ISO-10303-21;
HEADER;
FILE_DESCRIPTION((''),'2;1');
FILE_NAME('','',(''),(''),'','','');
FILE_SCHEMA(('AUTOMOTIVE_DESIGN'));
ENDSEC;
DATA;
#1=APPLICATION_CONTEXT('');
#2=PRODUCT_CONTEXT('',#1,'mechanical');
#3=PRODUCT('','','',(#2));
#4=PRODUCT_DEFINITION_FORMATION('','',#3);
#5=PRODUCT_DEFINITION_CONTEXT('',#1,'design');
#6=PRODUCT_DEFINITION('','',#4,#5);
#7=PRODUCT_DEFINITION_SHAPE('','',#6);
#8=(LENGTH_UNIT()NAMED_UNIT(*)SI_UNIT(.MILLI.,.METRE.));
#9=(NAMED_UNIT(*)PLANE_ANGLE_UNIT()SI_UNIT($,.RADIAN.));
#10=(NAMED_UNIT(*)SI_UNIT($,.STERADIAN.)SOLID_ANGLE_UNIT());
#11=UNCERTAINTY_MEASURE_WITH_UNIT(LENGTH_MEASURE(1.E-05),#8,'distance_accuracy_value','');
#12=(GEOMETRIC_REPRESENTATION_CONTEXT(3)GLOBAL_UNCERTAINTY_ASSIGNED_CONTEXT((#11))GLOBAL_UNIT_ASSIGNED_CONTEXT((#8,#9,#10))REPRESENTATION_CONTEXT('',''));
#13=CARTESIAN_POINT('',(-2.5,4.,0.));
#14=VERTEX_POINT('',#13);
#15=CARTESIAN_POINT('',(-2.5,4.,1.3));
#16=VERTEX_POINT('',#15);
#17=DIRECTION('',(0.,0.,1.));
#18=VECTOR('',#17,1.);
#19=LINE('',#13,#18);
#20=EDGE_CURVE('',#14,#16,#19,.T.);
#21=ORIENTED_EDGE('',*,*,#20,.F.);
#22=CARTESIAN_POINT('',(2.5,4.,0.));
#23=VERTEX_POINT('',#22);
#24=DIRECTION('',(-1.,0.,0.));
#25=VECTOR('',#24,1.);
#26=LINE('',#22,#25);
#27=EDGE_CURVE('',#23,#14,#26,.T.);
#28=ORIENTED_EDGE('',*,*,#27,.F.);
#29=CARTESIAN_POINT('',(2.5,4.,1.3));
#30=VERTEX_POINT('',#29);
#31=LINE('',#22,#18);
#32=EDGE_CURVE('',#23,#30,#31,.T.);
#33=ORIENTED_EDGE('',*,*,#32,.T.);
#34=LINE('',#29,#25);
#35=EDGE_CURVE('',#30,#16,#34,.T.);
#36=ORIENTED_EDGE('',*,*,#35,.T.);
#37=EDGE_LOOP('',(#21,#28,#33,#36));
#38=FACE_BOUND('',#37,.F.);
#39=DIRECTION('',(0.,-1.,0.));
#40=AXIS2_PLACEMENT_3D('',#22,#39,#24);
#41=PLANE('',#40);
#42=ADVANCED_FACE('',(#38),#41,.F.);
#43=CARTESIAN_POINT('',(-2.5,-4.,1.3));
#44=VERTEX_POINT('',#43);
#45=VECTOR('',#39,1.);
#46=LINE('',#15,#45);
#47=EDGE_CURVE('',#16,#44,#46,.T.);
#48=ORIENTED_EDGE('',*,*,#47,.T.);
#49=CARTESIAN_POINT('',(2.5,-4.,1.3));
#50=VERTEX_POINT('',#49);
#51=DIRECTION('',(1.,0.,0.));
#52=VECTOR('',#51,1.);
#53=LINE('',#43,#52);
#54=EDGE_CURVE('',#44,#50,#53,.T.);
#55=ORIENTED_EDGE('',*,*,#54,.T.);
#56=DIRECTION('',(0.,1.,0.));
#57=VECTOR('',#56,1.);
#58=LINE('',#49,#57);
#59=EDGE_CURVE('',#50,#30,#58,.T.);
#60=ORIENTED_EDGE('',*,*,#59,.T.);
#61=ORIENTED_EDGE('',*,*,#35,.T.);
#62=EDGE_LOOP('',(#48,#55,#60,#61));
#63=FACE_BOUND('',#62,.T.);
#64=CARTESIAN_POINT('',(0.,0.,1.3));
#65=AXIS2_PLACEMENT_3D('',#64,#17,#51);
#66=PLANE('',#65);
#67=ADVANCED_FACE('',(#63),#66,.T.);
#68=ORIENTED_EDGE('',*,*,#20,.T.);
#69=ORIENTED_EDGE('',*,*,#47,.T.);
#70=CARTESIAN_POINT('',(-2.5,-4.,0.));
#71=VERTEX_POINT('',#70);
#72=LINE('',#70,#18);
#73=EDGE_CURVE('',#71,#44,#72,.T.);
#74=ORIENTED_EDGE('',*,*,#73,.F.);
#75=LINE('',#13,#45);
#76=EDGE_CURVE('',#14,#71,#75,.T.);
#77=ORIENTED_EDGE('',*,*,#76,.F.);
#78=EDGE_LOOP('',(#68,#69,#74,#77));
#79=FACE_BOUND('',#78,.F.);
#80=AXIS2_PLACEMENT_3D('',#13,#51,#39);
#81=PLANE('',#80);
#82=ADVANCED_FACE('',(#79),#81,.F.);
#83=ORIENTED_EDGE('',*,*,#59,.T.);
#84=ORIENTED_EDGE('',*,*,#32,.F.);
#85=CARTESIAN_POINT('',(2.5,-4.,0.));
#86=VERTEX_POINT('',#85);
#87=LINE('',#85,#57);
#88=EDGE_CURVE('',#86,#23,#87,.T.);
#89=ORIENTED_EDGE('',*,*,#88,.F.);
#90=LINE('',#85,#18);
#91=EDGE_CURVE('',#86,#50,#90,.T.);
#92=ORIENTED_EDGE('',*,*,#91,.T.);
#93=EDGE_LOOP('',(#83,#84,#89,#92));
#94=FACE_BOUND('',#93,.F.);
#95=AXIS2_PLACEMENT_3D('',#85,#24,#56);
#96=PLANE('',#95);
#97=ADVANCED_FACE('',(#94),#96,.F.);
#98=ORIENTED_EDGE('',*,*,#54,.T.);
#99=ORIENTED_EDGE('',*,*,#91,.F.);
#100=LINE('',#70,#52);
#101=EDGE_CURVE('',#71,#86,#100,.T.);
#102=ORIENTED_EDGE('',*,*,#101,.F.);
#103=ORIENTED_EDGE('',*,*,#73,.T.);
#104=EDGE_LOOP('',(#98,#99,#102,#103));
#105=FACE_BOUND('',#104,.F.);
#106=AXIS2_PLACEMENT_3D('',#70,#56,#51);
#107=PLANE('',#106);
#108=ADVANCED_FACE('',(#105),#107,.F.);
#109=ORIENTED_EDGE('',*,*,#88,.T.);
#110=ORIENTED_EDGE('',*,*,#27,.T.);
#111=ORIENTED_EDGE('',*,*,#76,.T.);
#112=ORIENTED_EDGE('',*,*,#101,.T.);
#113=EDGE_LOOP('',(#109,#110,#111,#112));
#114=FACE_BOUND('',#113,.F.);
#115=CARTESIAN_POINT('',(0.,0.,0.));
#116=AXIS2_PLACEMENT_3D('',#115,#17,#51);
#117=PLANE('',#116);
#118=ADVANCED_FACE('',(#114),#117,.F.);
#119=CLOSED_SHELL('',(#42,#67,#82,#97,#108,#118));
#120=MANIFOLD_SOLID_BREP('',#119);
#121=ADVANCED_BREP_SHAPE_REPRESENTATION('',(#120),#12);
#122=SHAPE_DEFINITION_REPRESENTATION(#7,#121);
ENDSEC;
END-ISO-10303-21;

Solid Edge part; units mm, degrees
sketch "Sketch1" plane through (0, 0, 0) normal (0, 0, 1) x (1, 0, 0)
  line L0 (2.5, 4) -> (-2.5, 4)
  line L1 (-2.5, 4) -> (-2.5, -4)
  line L2 (-2.5, -4) -> (2.5, -4)
  line L3 (2.5, -4) -> (2.5, 4)
  dimension "D1" = 5
  dimension "D2" = 8
extrude "Protrusion1" add sketch "Sketch1" along normal blind 1.3
